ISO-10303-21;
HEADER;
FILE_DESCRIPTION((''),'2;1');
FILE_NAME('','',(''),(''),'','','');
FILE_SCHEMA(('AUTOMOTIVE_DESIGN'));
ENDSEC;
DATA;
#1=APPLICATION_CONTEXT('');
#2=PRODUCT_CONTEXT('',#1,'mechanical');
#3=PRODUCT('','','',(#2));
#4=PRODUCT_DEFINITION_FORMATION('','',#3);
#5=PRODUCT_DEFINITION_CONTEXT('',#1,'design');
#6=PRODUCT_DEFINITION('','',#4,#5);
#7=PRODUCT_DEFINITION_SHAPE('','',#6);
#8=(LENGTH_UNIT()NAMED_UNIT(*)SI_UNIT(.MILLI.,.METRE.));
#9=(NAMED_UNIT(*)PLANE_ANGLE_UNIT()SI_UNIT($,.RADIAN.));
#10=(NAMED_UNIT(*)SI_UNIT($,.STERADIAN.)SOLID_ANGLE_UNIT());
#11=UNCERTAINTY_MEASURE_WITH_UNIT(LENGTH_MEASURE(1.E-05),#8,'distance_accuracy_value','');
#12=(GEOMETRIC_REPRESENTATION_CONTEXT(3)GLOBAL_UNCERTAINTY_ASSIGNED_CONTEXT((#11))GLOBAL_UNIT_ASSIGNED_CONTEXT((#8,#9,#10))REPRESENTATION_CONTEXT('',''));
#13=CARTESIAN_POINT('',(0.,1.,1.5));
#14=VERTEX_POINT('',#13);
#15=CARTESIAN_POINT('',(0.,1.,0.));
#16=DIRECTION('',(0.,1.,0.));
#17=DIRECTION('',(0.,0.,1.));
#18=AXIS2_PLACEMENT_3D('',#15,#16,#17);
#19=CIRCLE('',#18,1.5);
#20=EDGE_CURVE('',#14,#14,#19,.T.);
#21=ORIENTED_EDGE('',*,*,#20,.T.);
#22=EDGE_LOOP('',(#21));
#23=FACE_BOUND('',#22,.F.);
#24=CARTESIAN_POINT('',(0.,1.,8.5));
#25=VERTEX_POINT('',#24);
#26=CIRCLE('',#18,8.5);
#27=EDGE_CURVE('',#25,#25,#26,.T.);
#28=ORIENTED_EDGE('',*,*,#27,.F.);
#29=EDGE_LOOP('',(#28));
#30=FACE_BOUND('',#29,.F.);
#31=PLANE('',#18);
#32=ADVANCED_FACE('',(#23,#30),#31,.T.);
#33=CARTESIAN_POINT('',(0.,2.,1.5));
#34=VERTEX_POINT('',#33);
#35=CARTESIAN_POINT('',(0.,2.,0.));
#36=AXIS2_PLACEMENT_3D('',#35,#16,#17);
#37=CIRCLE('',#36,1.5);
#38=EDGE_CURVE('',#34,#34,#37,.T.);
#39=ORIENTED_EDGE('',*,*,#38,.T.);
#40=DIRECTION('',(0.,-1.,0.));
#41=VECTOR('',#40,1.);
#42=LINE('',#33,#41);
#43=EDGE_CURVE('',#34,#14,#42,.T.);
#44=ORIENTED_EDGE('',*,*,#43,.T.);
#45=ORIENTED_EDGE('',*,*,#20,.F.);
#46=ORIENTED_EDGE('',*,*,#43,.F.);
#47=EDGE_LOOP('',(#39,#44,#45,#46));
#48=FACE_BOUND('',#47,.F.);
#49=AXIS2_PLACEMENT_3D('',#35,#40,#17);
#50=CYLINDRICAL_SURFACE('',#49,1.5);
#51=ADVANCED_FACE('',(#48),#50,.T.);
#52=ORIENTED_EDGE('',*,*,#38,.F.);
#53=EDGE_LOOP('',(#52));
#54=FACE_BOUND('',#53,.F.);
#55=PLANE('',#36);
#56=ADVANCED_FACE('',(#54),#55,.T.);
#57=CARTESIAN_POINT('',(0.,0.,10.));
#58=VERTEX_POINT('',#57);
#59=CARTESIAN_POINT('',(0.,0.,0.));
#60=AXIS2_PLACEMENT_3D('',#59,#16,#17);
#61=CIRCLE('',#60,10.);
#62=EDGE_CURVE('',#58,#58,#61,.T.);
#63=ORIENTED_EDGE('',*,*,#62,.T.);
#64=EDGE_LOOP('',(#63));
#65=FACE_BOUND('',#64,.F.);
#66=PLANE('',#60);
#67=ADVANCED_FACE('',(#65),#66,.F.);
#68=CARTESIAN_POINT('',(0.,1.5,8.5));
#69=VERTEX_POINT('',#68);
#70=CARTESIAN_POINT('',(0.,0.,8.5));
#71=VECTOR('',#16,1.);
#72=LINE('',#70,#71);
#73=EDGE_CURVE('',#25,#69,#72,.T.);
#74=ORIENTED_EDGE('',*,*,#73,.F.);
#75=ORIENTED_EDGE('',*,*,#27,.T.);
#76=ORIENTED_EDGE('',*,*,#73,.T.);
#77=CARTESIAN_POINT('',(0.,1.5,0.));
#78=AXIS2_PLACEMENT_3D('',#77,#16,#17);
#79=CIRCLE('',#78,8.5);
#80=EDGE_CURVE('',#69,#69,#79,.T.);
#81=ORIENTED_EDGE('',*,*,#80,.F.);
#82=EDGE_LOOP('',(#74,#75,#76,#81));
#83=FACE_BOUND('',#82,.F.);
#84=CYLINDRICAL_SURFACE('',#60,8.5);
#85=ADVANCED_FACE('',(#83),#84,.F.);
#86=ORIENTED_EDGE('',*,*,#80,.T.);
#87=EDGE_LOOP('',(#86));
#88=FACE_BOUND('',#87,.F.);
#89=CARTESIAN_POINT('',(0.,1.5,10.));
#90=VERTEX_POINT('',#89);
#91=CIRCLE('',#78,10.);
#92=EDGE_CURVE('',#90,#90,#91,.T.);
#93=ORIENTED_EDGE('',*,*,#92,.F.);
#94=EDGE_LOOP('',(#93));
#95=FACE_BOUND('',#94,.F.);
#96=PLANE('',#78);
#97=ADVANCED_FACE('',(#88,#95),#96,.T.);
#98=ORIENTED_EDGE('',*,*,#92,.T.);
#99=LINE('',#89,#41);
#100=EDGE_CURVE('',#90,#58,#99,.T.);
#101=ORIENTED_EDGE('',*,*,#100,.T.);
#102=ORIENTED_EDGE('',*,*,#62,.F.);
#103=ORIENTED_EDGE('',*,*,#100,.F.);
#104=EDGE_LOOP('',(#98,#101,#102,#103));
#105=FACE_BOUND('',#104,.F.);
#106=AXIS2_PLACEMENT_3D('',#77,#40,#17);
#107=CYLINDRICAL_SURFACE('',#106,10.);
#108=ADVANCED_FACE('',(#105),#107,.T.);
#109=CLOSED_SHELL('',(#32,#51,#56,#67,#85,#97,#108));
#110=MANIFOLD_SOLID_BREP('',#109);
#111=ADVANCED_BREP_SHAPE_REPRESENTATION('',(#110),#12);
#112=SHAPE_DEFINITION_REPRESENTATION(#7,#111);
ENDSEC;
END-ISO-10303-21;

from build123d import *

# Parameters (mm, degrees)
F0_W = 1
F0_H = 7


with BuildPart() as f1:
    # F0 (on Right) → F1 (revolve)
    with BuildSketch(Plane.YZ):
        Polygon((0, 10), (0, 8.5), (1, 8.5), (1.5, 8.5), (1.5, 10), align=None)
        with Locations((0.5, 5)):
            Rectangle(F0_W, F0_H)
        Polygon((0, 1.5), (0, 0), (2, 0), (2, 1.5), (1, 1.5), align=None)
    revolve(axis=Axis((0, 1, 0), (0, 1, 0)))


solid = f1.part
